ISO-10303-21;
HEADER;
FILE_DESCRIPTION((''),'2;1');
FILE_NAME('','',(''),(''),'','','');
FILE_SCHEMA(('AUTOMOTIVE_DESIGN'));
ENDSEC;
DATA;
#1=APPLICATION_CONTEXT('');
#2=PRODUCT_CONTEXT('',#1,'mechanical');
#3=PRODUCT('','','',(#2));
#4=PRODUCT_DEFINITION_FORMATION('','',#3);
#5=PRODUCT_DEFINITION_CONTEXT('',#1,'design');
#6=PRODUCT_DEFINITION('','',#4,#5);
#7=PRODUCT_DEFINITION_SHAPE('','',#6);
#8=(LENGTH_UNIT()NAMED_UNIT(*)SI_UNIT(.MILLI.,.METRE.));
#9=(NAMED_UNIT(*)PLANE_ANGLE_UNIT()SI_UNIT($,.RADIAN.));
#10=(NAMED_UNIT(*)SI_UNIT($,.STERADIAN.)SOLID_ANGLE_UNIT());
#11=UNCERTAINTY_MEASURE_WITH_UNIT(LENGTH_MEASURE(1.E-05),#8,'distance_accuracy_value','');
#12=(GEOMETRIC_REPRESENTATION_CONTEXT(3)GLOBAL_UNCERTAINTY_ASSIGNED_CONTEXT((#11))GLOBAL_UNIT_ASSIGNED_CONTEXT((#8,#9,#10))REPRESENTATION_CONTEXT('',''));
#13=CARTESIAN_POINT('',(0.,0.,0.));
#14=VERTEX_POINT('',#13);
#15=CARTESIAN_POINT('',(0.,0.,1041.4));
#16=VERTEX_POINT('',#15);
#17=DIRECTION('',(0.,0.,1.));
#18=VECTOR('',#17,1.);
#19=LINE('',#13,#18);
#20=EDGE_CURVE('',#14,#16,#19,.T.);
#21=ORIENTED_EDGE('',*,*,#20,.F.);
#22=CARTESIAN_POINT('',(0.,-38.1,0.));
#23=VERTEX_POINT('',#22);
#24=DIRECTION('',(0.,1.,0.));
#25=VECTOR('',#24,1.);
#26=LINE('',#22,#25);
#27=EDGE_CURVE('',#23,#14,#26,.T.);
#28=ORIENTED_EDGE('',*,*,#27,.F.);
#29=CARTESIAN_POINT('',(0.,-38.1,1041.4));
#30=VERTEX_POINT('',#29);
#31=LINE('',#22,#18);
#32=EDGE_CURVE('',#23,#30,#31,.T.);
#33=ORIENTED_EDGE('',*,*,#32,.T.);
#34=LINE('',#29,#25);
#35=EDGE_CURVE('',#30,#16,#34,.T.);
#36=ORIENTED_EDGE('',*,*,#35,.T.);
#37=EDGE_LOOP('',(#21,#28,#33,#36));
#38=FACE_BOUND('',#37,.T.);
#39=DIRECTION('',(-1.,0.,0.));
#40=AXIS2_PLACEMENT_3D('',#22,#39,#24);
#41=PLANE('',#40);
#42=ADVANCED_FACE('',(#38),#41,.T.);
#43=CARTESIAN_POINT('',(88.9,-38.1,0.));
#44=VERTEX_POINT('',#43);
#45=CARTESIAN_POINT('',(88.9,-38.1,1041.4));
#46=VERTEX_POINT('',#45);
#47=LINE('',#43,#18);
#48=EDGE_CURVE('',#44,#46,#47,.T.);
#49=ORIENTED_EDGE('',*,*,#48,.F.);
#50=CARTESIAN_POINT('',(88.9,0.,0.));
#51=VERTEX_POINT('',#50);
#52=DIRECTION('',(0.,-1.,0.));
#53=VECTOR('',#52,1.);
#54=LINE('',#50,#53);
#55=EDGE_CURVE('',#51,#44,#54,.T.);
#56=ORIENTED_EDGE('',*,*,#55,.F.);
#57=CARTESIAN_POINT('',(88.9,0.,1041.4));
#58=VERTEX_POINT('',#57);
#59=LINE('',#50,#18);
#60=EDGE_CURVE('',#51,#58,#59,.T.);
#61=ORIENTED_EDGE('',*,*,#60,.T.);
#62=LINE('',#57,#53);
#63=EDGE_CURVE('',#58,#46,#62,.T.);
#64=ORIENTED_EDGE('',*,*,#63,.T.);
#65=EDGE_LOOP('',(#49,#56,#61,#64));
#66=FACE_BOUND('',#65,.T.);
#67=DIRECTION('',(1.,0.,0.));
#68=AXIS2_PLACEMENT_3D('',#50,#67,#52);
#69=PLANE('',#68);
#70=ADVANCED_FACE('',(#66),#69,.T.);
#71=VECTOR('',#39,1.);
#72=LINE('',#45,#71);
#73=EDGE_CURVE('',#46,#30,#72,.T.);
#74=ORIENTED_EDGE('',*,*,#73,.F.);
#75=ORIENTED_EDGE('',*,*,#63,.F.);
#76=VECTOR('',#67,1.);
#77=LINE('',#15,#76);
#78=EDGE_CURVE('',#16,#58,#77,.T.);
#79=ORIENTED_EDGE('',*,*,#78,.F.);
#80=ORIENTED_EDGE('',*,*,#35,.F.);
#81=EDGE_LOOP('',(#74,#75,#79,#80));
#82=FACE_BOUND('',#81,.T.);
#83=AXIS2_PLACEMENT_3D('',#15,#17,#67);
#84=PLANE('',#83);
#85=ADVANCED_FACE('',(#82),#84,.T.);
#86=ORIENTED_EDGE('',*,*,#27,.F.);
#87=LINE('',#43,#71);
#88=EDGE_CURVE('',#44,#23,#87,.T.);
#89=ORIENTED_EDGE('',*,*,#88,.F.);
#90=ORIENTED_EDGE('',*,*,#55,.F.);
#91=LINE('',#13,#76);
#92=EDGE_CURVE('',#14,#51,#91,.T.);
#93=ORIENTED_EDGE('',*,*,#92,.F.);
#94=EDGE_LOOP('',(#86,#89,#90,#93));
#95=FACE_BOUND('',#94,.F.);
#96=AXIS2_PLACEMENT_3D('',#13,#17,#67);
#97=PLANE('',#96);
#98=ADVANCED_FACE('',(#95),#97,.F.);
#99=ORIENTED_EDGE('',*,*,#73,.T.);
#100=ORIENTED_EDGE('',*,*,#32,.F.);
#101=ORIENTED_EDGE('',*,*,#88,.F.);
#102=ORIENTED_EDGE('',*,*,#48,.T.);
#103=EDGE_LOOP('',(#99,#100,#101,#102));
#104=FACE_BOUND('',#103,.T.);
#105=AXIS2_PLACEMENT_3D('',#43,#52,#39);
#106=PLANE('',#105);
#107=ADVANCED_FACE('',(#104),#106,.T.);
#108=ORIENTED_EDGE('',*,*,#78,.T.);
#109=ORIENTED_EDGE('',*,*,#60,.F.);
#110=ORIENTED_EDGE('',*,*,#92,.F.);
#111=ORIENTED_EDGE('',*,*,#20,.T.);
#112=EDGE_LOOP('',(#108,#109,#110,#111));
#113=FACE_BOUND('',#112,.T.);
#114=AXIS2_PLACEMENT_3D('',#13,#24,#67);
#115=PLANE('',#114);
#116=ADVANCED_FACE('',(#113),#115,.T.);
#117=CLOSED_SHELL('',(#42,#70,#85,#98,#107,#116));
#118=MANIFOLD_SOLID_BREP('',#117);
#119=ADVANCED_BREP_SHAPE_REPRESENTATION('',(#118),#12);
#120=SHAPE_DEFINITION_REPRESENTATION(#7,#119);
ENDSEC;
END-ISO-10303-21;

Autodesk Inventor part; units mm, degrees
ref_plane "YZ Plane" through (0, 0, 0) normal (1, 0, 0) x (0, 1, 0)
ref_plane "XZ Plane" through (0, 0, 0) normal (0, 1, 0) x (-1, 0, 0)
ref_plane "Work Plane1" through (0, 0, 0) normal (0, 0, 1) x (1, 0, 0)
sketch "Sketch1" plane through (0, 0, 0) normal (0, 0, 1) x (1, 0, 0)
  line L0 (0, 0) -> (88.9, 0)
  line L1 (88.9, 0) -> (88.9, -38.1)
  line L2 (88.9, -38.1) -> (0, -38.1)
  line L3 (0, -38.1) -> (0, 0)
  dimension "d0" = 38.1
  dimension "d1" = 88.9
extrude "Extrusion1" add sketch "Sketch1" along normal blind 1041.4
properties part number "2x4x41"
